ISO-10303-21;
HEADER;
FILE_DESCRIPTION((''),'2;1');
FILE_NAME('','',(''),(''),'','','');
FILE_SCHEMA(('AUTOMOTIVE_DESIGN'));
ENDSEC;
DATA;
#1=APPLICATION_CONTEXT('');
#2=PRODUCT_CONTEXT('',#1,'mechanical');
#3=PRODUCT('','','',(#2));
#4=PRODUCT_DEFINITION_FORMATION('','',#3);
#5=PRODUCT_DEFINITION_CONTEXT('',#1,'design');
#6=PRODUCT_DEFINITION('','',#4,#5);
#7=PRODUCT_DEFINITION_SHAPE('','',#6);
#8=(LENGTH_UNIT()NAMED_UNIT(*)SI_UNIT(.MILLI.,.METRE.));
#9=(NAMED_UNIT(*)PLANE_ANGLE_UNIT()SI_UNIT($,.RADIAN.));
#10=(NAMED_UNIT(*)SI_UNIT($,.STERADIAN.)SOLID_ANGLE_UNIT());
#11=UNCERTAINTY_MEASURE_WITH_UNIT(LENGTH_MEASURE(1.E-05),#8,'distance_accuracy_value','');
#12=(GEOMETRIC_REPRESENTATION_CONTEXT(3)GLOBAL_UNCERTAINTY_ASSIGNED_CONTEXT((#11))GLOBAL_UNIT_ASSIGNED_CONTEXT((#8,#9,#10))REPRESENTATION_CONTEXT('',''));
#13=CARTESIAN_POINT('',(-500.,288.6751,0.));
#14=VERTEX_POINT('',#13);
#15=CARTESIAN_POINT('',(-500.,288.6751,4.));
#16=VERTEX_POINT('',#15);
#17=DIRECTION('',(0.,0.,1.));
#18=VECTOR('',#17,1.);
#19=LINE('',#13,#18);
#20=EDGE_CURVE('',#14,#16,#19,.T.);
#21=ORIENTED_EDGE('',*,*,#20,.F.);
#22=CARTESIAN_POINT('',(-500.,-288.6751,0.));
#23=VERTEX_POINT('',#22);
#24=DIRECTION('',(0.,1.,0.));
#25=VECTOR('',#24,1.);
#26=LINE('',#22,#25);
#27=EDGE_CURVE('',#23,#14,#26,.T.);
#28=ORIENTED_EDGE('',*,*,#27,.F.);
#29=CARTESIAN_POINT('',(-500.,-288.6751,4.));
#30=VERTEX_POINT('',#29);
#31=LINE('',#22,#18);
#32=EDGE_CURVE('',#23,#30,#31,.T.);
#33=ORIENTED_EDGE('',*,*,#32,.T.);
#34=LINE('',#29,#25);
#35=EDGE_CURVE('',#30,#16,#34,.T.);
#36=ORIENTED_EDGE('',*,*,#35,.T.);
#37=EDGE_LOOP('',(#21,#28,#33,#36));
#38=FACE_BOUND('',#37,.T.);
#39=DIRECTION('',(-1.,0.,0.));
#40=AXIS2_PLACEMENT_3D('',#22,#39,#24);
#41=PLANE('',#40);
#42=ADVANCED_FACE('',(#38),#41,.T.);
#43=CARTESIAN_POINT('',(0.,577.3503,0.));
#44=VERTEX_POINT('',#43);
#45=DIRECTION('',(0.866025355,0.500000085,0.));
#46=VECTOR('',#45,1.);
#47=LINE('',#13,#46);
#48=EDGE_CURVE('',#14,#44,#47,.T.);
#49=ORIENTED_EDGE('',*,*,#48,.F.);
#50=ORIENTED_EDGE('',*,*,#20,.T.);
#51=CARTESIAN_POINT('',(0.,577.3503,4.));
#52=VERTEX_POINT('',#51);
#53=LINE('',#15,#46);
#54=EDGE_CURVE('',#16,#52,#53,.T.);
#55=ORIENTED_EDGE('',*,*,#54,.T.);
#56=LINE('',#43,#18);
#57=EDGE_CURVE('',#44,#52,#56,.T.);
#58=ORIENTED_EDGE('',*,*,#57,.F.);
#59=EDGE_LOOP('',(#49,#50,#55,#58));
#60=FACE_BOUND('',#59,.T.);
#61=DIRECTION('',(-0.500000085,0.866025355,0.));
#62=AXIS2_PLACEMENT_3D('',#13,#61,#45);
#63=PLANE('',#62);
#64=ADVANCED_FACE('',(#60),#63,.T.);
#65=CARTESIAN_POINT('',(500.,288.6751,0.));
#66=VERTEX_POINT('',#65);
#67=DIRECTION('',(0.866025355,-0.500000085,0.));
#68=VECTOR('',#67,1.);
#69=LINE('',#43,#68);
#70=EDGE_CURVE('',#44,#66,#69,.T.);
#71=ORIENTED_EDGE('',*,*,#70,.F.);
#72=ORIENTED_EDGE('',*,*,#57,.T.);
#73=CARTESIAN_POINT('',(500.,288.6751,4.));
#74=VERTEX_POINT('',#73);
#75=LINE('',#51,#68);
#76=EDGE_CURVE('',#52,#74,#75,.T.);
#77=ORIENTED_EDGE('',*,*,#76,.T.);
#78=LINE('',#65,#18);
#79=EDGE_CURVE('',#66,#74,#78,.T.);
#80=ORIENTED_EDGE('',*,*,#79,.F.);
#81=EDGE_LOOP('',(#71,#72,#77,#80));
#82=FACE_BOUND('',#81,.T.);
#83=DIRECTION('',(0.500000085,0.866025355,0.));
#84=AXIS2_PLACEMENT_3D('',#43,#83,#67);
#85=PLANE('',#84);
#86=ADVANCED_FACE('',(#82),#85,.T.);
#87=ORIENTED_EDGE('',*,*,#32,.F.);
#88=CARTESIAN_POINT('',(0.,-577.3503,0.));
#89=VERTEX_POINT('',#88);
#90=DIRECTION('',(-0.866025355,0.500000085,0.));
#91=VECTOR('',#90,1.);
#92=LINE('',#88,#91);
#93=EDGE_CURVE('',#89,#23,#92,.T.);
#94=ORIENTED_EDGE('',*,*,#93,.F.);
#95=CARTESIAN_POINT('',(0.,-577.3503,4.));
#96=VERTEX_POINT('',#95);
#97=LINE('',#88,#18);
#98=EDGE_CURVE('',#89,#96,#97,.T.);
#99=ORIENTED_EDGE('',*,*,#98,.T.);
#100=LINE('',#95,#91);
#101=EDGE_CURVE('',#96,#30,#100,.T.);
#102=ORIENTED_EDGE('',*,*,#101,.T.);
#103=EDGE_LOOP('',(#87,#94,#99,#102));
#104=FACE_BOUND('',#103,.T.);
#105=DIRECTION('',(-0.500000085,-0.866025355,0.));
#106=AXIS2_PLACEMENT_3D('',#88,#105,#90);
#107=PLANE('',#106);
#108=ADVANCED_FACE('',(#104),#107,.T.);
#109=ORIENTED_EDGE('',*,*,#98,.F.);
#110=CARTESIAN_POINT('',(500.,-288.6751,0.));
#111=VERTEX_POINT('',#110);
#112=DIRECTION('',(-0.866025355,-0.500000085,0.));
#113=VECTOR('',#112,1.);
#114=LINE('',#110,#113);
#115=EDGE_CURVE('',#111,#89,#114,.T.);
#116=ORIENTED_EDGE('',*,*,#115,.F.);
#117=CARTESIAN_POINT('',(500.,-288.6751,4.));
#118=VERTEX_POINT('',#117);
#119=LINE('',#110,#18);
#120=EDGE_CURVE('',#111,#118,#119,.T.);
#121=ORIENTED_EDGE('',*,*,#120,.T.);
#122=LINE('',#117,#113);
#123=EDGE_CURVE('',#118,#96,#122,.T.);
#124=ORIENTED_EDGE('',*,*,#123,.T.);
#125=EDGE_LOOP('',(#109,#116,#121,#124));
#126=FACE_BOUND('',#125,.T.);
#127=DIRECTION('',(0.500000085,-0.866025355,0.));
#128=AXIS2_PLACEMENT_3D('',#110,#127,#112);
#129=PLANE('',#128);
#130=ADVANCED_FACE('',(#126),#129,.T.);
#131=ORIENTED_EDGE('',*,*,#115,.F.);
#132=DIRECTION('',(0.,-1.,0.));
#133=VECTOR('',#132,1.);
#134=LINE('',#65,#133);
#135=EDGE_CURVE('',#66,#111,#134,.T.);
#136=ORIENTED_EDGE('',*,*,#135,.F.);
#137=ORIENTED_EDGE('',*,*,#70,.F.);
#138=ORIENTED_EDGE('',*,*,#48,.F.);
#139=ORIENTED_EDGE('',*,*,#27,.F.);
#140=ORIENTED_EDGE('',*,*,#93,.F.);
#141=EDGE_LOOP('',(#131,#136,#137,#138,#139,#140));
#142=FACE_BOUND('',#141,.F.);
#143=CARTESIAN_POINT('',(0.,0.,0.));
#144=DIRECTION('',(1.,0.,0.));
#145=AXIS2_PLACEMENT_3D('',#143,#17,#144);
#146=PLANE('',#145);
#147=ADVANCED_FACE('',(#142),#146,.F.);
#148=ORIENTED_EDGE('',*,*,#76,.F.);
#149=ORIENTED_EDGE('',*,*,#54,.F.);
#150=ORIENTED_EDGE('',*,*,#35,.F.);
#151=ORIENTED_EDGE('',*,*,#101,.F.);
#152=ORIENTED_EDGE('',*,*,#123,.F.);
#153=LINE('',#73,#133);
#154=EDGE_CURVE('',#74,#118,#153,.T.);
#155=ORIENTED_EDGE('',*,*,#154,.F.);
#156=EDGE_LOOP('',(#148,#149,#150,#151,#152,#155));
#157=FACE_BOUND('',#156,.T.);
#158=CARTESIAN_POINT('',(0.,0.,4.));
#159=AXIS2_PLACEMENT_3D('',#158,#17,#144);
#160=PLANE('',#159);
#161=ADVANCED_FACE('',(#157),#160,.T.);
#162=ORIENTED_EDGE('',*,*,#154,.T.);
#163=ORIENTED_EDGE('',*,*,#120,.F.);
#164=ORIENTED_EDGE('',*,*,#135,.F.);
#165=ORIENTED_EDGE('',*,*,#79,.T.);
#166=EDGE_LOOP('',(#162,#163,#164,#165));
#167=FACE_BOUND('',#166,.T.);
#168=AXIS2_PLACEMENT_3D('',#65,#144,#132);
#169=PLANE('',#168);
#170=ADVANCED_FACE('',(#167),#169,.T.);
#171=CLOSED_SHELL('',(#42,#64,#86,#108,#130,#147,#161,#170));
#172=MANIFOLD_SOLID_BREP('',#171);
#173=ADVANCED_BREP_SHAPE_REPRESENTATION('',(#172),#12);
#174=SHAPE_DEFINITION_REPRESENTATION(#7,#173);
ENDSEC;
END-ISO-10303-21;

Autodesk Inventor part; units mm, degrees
ref_plane "YZ Plane" through (0, 0, 0) normal (1, 0, 0) x (0, 1, 0)
ref_plane "XZ Plane" through (0, 0, 0) normal (0, 1, 0) x (-1, 0, 0)
ref_plane "Work Plane1" through (0, 0, 0) normal (0, 0, 1) x (1, 0, 0)
sketch "Sketch1" plane through (0, 0, 0) normal (0, 0, 1) x (1, 0, 0)
  line L0 (500, -288.6751) -> (0, -577.3503)
  line L1 (0, -577.3503) -> (-500, -288.6751)
  line L2 (-500, -288.6751) -> (-500, 288.6751)
  line L3 (-500, 288.6751) -> (0, 577.3503)
  line L4 (0, 577.3503) -> (500, 288.6751)
  line L5 (500, 288.6751) -> (500, -288.6751)
  point P0 (0, 0)
  point P1 (0, 0)
  point P2 (0, 0)
  dimension "d1" = 500
extrude "Extrusion1" add sketch "Sketch1" along normal blind 4
properties part number "Top" material "Glass"
